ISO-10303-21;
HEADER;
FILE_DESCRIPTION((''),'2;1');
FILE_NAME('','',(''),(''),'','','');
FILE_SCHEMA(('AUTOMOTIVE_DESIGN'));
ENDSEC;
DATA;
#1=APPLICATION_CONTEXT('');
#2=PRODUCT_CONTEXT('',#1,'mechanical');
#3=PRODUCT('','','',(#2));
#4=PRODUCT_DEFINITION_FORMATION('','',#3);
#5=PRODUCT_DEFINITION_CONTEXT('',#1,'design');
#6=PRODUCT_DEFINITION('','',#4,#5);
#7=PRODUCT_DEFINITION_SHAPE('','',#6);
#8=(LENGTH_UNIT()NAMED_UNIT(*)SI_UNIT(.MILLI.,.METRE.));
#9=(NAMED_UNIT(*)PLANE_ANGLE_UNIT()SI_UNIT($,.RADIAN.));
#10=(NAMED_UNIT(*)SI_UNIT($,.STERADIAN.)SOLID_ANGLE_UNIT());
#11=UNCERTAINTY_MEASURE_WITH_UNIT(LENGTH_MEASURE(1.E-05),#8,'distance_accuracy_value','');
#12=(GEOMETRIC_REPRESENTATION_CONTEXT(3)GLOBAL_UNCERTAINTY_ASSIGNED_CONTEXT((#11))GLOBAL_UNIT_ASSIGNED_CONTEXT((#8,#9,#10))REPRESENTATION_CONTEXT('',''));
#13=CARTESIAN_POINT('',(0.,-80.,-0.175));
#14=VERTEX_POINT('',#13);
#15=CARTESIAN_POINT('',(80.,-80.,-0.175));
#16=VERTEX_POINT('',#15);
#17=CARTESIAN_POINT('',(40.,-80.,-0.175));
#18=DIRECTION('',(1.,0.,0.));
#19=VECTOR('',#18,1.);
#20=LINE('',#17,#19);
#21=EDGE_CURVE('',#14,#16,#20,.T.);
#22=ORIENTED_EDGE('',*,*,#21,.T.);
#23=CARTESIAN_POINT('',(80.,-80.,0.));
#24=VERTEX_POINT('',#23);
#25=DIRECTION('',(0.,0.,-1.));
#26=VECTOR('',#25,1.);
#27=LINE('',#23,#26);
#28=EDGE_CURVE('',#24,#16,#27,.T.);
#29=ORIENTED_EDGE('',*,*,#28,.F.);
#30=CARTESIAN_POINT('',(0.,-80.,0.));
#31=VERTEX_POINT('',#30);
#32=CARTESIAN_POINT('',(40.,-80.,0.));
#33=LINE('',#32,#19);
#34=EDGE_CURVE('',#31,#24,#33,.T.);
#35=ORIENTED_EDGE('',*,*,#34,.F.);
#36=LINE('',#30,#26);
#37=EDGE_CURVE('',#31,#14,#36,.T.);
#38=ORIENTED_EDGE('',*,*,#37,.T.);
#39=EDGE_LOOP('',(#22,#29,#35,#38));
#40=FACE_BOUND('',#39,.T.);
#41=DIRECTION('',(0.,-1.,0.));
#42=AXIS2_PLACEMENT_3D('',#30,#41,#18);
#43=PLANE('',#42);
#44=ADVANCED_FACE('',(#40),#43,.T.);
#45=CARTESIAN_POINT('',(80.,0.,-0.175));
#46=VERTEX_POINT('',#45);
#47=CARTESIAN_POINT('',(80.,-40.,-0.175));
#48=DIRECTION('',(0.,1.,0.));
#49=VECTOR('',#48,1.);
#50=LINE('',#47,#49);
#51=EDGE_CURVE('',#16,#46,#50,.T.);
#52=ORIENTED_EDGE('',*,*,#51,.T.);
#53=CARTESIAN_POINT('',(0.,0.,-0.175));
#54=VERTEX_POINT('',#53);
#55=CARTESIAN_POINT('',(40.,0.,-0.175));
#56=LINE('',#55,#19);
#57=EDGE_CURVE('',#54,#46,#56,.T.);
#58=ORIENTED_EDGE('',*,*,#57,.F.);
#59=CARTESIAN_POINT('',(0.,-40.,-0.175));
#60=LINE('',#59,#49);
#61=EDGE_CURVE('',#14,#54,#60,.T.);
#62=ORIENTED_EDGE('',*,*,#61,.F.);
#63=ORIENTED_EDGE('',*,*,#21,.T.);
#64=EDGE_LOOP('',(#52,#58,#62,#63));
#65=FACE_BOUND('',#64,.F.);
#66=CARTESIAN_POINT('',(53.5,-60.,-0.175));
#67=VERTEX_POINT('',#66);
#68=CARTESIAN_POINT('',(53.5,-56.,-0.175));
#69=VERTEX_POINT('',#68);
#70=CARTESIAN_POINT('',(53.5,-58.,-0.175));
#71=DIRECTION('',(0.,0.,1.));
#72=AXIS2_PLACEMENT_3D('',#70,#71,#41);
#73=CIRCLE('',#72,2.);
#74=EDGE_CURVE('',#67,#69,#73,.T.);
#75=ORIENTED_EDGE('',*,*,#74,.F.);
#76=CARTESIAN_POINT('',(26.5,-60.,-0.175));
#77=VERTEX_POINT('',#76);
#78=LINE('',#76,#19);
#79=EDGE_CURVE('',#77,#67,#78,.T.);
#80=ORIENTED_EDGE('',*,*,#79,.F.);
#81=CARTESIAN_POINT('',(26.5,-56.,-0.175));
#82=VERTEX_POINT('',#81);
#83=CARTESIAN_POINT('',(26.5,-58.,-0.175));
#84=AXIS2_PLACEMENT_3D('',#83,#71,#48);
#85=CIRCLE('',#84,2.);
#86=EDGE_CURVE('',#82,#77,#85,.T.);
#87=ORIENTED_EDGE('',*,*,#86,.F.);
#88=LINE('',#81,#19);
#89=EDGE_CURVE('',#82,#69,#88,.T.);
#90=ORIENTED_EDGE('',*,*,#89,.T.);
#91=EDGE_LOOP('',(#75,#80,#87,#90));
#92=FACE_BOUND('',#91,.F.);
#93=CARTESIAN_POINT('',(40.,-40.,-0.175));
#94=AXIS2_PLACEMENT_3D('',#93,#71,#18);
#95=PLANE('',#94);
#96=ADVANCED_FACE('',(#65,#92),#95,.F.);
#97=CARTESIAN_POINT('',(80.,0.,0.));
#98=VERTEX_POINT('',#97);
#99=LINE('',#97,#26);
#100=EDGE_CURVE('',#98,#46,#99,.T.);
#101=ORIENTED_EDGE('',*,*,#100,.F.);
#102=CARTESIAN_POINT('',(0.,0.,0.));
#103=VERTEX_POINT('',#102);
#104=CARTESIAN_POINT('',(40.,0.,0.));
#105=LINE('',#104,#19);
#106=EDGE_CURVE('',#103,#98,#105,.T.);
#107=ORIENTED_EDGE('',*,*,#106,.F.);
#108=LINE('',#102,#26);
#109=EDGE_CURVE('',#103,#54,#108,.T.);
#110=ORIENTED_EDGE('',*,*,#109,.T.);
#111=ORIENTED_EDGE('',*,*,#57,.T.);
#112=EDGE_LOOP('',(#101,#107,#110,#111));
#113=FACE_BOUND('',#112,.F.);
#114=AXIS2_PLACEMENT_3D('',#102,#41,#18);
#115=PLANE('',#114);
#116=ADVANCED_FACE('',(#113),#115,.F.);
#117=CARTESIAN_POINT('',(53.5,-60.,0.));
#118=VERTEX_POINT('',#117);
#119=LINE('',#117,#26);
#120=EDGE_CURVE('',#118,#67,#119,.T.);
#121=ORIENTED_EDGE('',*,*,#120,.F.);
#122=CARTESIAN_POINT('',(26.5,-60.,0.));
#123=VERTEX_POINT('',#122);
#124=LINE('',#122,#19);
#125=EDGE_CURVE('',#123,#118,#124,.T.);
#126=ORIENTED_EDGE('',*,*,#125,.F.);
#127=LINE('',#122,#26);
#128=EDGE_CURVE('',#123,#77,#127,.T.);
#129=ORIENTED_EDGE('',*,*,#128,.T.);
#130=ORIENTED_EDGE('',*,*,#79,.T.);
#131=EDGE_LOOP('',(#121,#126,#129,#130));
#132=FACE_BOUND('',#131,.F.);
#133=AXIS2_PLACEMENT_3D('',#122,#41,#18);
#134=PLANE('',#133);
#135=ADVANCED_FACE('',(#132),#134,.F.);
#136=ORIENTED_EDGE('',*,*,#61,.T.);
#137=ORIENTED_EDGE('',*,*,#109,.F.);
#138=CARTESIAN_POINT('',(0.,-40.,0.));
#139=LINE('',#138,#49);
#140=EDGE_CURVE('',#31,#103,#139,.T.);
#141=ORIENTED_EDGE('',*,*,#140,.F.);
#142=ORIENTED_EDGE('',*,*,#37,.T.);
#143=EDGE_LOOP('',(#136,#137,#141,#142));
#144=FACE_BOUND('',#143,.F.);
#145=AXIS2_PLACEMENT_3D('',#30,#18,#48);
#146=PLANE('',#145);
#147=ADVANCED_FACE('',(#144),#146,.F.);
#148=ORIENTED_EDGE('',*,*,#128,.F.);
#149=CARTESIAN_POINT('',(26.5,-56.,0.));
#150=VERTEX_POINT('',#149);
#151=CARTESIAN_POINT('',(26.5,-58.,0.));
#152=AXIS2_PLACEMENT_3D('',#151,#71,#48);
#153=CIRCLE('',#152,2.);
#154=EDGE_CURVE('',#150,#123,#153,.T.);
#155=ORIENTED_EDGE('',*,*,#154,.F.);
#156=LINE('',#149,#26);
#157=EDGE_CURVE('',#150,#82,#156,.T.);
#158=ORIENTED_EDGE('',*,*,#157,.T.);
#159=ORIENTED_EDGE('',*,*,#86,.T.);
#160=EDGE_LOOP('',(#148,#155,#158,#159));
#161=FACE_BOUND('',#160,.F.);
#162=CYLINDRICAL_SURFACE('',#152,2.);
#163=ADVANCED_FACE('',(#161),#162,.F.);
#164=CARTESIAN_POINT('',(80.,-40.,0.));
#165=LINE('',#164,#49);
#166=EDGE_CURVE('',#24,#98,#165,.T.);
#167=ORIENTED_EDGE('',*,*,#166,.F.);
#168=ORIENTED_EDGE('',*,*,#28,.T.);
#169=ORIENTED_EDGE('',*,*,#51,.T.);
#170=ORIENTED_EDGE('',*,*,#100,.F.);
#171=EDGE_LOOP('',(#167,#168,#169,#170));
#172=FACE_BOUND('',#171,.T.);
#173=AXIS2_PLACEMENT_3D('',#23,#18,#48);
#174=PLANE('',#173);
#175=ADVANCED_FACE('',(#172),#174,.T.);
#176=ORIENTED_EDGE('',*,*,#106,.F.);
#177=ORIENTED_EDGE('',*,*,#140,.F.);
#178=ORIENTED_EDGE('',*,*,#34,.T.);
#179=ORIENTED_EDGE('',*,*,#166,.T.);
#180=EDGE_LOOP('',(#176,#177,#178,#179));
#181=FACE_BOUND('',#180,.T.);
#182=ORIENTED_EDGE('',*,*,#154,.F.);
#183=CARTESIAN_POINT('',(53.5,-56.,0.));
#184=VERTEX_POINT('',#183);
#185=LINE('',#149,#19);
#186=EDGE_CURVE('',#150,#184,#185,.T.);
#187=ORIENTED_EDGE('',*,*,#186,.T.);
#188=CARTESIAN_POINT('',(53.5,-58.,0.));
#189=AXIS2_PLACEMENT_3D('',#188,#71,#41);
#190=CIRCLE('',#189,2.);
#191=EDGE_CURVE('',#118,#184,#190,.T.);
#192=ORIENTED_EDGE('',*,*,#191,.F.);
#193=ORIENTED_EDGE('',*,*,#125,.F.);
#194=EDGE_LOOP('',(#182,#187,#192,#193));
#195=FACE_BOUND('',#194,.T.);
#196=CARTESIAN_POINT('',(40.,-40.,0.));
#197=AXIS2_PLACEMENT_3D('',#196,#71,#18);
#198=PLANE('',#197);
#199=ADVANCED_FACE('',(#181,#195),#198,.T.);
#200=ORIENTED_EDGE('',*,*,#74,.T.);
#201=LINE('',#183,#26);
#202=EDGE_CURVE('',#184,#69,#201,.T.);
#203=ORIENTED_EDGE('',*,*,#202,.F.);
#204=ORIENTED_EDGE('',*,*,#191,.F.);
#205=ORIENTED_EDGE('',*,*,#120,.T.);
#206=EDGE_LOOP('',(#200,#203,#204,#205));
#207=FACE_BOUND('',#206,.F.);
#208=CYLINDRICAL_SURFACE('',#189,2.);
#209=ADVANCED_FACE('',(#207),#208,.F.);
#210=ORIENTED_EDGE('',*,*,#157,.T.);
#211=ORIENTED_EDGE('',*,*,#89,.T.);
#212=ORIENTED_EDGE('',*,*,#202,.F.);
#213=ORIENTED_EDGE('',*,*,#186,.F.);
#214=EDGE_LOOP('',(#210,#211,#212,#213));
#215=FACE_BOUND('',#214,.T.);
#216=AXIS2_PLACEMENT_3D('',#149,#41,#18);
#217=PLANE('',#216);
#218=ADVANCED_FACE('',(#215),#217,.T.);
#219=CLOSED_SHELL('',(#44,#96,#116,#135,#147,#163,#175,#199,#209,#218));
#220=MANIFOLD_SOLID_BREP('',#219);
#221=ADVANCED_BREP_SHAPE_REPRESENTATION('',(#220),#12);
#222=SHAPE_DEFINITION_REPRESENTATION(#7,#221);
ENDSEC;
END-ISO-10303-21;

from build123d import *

# Parameters (mm, degrees)
SKETCH_W  = 80
SKETCH_H  = 80
PAD_DEPTH = 0.175


with BuildPart() as part:
    # Sketch → Pad (new body)
    with BuildSketch(Plane.XY):
        with Locations((40, -40)):
            Rectangle(SKETCH_W, SKETCH_H)
        with BuildLine():
            ThreePointArc((26.5, -56), (24.5, -58), (26.5, -60))
            Line((26.5, -60), (53.5, -60))
            ThreePointArc((53.5, -60), (55.5, -58), (53.5, -56))
            Line((26.5, -56), (53.5, -56))
        make_face(mode=Mode.SUBTRACT)
    extrude(amount=-PAD_DEPTH)


solid = part.part
